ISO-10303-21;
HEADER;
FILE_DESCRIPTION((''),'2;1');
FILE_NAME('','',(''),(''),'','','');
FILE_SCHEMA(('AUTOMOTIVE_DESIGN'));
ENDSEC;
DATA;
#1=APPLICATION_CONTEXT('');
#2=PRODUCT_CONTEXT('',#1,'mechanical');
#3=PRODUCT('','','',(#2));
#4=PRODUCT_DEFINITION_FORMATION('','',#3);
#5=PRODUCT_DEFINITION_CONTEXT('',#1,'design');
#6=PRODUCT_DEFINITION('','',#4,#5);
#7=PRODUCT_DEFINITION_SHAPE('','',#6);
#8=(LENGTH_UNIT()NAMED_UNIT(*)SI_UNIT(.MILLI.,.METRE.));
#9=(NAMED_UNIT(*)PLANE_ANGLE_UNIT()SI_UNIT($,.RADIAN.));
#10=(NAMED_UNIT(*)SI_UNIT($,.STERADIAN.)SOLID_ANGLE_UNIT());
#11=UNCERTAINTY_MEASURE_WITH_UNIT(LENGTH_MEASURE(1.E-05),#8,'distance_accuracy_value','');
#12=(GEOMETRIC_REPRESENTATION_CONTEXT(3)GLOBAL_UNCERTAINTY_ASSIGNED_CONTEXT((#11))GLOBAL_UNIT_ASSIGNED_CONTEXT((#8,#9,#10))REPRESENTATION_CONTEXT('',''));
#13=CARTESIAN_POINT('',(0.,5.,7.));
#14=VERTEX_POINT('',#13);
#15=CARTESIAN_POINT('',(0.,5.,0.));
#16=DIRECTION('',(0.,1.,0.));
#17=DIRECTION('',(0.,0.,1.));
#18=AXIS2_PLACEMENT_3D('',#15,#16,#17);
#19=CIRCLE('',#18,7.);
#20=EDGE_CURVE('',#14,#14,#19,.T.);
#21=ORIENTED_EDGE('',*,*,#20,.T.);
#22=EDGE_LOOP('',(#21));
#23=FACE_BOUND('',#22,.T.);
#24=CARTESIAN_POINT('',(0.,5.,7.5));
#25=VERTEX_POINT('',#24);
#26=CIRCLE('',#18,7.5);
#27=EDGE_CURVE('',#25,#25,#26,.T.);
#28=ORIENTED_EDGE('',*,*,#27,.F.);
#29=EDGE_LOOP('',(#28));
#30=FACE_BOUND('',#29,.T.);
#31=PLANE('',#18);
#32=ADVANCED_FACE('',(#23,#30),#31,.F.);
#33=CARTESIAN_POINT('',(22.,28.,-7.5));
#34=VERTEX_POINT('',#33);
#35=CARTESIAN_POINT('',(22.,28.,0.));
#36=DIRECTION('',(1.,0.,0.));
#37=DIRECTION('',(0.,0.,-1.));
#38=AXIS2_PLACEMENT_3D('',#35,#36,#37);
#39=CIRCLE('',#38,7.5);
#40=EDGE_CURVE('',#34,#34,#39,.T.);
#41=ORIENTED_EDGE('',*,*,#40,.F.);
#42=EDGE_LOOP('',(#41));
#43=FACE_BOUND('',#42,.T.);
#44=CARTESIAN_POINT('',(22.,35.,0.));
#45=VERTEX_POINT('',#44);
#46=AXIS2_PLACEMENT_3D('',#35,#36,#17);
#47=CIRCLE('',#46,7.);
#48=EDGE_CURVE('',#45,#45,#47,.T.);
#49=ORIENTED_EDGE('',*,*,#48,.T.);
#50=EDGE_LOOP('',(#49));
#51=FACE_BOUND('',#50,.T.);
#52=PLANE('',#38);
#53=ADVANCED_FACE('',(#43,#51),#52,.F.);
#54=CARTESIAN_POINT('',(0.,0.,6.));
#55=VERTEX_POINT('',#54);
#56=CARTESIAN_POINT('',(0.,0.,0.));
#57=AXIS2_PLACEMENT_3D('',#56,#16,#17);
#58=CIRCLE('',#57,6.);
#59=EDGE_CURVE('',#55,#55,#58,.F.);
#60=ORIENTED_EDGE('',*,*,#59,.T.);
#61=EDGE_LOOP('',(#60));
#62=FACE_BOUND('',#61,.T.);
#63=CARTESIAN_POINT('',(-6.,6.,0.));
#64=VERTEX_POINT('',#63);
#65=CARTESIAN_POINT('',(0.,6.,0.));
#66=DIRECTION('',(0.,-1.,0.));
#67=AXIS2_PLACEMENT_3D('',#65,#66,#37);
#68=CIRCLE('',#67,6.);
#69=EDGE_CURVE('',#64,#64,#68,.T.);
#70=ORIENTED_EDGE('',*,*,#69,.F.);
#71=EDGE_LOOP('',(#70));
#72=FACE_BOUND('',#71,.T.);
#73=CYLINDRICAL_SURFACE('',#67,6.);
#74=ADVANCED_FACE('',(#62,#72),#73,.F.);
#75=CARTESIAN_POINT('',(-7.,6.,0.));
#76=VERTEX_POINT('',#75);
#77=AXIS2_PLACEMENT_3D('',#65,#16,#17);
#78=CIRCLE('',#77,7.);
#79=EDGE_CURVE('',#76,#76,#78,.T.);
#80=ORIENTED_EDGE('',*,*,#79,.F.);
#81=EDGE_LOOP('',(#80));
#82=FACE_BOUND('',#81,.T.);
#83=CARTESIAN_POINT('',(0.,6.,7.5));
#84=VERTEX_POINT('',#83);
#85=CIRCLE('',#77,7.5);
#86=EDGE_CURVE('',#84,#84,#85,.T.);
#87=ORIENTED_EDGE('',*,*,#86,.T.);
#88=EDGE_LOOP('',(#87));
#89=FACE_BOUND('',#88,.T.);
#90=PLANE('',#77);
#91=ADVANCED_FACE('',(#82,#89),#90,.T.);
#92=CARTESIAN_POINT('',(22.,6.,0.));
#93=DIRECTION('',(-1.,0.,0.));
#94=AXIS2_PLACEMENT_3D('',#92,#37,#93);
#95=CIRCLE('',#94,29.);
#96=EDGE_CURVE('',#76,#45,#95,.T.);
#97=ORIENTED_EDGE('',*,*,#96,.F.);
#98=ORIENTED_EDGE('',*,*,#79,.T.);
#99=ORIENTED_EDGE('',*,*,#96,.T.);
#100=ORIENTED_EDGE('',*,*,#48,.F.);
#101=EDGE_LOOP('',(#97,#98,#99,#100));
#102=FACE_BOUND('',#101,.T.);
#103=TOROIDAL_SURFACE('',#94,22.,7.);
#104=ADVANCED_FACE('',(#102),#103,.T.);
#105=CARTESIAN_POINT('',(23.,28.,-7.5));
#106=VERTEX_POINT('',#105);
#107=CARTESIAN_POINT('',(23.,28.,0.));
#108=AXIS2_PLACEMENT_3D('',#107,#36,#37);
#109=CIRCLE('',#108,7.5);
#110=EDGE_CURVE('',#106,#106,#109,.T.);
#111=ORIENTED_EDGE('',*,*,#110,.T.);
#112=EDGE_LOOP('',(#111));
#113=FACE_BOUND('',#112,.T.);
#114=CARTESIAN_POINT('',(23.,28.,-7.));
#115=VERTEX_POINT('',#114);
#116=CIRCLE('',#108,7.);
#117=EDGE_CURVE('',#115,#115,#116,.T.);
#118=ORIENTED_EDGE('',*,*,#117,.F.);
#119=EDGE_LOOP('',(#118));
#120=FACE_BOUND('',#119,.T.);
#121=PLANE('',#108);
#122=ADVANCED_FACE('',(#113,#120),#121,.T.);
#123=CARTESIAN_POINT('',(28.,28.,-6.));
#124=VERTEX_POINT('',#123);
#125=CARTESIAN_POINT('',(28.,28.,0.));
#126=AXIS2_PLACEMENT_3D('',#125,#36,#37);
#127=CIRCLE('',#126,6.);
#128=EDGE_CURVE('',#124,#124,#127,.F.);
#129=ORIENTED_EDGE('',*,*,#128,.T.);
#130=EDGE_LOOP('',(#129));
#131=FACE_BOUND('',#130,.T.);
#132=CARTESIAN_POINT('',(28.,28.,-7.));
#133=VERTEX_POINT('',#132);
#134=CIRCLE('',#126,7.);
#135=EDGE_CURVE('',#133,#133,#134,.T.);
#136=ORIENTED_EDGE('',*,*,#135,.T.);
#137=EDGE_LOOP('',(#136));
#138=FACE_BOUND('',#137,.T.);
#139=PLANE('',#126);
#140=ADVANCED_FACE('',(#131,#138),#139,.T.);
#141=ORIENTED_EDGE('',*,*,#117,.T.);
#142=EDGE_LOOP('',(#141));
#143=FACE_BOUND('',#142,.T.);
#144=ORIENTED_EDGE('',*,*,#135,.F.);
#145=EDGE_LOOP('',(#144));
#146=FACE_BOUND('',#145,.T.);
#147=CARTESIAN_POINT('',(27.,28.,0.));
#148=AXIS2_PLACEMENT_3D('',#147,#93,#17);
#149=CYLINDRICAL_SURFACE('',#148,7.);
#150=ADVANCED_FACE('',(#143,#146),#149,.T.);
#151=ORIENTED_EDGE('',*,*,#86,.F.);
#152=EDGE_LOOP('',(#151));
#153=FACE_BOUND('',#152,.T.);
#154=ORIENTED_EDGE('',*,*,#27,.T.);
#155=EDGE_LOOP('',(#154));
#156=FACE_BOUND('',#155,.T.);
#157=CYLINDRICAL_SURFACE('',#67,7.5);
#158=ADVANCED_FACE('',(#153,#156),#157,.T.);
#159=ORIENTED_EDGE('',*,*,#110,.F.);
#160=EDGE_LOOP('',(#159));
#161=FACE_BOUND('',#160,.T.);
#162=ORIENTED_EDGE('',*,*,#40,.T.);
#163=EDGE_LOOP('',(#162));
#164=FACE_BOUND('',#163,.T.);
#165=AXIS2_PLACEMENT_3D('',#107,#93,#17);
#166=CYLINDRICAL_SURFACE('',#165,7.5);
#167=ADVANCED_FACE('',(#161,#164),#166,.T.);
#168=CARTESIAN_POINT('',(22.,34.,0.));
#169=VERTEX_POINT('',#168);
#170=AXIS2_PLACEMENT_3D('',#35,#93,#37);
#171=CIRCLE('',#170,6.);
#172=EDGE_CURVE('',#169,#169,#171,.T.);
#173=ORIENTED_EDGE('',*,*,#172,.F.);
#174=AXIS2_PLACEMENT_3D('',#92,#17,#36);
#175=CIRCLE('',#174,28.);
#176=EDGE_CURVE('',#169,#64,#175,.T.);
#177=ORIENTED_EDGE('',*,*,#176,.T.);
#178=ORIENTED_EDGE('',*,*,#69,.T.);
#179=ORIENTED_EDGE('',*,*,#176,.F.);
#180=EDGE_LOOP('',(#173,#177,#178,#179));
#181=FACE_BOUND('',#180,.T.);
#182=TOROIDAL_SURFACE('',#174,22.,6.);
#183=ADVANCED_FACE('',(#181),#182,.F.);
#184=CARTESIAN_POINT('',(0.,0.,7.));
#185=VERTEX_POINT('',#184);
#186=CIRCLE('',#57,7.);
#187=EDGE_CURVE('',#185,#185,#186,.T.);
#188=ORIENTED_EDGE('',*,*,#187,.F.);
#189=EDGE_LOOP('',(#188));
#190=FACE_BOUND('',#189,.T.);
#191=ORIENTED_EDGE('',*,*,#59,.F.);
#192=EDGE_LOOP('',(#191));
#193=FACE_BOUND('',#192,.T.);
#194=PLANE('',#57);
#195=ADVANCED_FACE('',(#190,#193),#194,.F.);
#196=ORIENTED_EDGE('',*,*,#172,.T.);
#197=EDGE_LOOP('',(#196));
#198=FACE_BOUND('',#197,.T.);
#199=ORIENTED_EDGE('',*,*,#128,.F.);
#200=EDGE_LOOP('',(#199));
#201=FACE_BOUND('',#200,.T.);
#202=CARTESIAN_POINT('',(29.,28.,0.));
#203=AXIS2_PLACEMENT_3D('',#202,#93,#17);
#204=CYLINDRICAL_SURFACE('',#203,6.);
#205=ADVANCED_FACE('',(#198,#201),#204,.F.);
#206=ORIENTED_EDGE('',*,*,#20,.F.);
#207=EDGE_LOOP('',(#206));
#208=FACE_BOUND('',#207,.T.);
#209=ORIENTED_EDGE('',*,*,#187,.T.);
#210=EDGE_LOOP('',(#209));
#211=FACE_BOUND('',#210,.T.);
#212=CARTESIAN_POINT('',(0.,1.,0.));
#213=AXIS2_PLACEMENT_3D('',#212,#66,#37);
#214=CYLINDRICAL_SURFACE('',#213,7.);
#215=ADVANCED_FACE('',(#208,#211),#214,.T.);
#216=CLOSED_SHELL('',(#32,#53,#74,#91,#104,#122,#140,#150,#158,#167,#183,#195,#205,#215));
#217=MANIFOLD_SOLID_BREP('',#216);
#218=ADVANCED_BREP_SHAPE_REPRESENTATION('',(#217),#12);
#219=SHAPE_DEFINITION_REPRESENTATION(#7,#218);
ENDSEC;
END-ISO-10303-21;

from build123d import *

# Parameters (mm, degrees)
SKETCH1_R           = 7
BOSS_EXTRUDE1_DEPTH = 1
SKETCH2_R           = 7
BOSS_EXTRUDE2_DEPTH = 4
SKETCH3_R           = 7.5
BOSS_EXTRUDE3_DEPTH = 1
SKETCH5_R           = 7
SKETCH7_R           = 7.5
BOSS_EXTRUDE4_DEPTH = 1
SKETCH8_R           = 7
BOSS_EXTRUDE5_DEPTH = 4
SKETCH9_R           = 7
BOSS_EXTRUDE6_DEPTH = 1
SKETCH11_R          = 6


with BuildPart() as part:
    # Sketch1 → Boss-Extrude1 (new body)
    with BuildSketch(Plane(origin=(0, 0, 0), x_dir=(1, 0, 0), z_dir=(0, 1, 0))):
        with Locations(Location((0, 0, 0), (0, 0, 270))):
            Circle(SKETCH1_R)
    extrude(amount=BOSS_EXTRUDE1_DEPTH)

    # Sketch2 → Boss-Extrude2 (add)
    with BuildSketch(Plane(origin=(0, 1, 0), x_dir=(1, 0, 0), z_dir=(0, 1, 0))):
        with Locations(Location((0, 0, 0), (0, 0, 270))):
            Circle(SKETCH2_R)
    extrude(amount=BOSS_EXTRUDE2_DEPTH)

    # Sketch3 → Boss-Extrude3 (add)
    with BuildSketch(Plane(origin=(0, 5, 0), x_dir=(1, 0, 0), z_dir=(0, 1, 0))):
        with Locations(Location((0, 0, 0), (0, 0, 270))):
            Circle(SKETCH3_R)
    extrude(amount=BOSS_EXTRUDE3_DEPTH)

    # Sweep1: sweep along a path in Sketch4
    with BuildLine(Plane.XY) as sweep1_path:
        ThreePointArc((0, 6), (6.443650814, 21.556349186), (22, 28))
    # Sketch5 → Sweep1 (sweep)
    with BuildSketch(Plane(origin=(0, 6, 0), x_dir=(1, 0, 0), z_dir=(0, 1, 0))):
        Circle(SKETCH5_R)
    sweep(path=sweep1_path.line)

    # Sketch7 → Boss-Extrude4 (add)
    with BuildSketch(Plane(origin=(22, 0, 0), x_dir=(0, 0, -1), z_dir=(1, 0, 0))):
        with Locations((0, 28)):
            Circle(SKETCH7_R)
    extrude(amount=BOSS_EXTRUDE4_DEPTH)

    # Sketch8 → Boss-Extrude5 (add)
    with BuildSketch(Plane(origin=(23, 0, 0), x_dir=(0, 0, -1), z_dir=(1, 0, 0))):
        with Locations((0, 28)):
            Circle(SKETCH8_R)
    extrude(amount=BOSS_EXTRUDE5_DEPTH)

    # Sketch9 → Boss-Extrude6 (add)
    with BuildSketch(Plane(origin=(27, 0, 0), x_dir=(0, 0, -1), z_dir=(1, 0, 0))):
        with Locations((0, 28)):
            Circle(SKETCH9_R)
    extrude(amount=BOSS_EXTRUDE6_DEPTH)

    # Cut-Sweep1: sweep along a path in Sketch10
    with BuildLine(Plane.XY) as cut_sweep1_path:
        Line((0, 0), (0, 6))
        ThreePointArc((0, 6), (6.443650814, 21.556349186), (22, 28))
        Line((22, 28), (28, 28))
    # Sketch11 → Cut-Sweep1 (sweep, cut)
    with BuildSketch(Plane.XZ):
        Circle(SKETCH11_R)
    sweep(path=cut_sweep1_path.line, mode=Mode.SUBTRACT)


solid = part.part
